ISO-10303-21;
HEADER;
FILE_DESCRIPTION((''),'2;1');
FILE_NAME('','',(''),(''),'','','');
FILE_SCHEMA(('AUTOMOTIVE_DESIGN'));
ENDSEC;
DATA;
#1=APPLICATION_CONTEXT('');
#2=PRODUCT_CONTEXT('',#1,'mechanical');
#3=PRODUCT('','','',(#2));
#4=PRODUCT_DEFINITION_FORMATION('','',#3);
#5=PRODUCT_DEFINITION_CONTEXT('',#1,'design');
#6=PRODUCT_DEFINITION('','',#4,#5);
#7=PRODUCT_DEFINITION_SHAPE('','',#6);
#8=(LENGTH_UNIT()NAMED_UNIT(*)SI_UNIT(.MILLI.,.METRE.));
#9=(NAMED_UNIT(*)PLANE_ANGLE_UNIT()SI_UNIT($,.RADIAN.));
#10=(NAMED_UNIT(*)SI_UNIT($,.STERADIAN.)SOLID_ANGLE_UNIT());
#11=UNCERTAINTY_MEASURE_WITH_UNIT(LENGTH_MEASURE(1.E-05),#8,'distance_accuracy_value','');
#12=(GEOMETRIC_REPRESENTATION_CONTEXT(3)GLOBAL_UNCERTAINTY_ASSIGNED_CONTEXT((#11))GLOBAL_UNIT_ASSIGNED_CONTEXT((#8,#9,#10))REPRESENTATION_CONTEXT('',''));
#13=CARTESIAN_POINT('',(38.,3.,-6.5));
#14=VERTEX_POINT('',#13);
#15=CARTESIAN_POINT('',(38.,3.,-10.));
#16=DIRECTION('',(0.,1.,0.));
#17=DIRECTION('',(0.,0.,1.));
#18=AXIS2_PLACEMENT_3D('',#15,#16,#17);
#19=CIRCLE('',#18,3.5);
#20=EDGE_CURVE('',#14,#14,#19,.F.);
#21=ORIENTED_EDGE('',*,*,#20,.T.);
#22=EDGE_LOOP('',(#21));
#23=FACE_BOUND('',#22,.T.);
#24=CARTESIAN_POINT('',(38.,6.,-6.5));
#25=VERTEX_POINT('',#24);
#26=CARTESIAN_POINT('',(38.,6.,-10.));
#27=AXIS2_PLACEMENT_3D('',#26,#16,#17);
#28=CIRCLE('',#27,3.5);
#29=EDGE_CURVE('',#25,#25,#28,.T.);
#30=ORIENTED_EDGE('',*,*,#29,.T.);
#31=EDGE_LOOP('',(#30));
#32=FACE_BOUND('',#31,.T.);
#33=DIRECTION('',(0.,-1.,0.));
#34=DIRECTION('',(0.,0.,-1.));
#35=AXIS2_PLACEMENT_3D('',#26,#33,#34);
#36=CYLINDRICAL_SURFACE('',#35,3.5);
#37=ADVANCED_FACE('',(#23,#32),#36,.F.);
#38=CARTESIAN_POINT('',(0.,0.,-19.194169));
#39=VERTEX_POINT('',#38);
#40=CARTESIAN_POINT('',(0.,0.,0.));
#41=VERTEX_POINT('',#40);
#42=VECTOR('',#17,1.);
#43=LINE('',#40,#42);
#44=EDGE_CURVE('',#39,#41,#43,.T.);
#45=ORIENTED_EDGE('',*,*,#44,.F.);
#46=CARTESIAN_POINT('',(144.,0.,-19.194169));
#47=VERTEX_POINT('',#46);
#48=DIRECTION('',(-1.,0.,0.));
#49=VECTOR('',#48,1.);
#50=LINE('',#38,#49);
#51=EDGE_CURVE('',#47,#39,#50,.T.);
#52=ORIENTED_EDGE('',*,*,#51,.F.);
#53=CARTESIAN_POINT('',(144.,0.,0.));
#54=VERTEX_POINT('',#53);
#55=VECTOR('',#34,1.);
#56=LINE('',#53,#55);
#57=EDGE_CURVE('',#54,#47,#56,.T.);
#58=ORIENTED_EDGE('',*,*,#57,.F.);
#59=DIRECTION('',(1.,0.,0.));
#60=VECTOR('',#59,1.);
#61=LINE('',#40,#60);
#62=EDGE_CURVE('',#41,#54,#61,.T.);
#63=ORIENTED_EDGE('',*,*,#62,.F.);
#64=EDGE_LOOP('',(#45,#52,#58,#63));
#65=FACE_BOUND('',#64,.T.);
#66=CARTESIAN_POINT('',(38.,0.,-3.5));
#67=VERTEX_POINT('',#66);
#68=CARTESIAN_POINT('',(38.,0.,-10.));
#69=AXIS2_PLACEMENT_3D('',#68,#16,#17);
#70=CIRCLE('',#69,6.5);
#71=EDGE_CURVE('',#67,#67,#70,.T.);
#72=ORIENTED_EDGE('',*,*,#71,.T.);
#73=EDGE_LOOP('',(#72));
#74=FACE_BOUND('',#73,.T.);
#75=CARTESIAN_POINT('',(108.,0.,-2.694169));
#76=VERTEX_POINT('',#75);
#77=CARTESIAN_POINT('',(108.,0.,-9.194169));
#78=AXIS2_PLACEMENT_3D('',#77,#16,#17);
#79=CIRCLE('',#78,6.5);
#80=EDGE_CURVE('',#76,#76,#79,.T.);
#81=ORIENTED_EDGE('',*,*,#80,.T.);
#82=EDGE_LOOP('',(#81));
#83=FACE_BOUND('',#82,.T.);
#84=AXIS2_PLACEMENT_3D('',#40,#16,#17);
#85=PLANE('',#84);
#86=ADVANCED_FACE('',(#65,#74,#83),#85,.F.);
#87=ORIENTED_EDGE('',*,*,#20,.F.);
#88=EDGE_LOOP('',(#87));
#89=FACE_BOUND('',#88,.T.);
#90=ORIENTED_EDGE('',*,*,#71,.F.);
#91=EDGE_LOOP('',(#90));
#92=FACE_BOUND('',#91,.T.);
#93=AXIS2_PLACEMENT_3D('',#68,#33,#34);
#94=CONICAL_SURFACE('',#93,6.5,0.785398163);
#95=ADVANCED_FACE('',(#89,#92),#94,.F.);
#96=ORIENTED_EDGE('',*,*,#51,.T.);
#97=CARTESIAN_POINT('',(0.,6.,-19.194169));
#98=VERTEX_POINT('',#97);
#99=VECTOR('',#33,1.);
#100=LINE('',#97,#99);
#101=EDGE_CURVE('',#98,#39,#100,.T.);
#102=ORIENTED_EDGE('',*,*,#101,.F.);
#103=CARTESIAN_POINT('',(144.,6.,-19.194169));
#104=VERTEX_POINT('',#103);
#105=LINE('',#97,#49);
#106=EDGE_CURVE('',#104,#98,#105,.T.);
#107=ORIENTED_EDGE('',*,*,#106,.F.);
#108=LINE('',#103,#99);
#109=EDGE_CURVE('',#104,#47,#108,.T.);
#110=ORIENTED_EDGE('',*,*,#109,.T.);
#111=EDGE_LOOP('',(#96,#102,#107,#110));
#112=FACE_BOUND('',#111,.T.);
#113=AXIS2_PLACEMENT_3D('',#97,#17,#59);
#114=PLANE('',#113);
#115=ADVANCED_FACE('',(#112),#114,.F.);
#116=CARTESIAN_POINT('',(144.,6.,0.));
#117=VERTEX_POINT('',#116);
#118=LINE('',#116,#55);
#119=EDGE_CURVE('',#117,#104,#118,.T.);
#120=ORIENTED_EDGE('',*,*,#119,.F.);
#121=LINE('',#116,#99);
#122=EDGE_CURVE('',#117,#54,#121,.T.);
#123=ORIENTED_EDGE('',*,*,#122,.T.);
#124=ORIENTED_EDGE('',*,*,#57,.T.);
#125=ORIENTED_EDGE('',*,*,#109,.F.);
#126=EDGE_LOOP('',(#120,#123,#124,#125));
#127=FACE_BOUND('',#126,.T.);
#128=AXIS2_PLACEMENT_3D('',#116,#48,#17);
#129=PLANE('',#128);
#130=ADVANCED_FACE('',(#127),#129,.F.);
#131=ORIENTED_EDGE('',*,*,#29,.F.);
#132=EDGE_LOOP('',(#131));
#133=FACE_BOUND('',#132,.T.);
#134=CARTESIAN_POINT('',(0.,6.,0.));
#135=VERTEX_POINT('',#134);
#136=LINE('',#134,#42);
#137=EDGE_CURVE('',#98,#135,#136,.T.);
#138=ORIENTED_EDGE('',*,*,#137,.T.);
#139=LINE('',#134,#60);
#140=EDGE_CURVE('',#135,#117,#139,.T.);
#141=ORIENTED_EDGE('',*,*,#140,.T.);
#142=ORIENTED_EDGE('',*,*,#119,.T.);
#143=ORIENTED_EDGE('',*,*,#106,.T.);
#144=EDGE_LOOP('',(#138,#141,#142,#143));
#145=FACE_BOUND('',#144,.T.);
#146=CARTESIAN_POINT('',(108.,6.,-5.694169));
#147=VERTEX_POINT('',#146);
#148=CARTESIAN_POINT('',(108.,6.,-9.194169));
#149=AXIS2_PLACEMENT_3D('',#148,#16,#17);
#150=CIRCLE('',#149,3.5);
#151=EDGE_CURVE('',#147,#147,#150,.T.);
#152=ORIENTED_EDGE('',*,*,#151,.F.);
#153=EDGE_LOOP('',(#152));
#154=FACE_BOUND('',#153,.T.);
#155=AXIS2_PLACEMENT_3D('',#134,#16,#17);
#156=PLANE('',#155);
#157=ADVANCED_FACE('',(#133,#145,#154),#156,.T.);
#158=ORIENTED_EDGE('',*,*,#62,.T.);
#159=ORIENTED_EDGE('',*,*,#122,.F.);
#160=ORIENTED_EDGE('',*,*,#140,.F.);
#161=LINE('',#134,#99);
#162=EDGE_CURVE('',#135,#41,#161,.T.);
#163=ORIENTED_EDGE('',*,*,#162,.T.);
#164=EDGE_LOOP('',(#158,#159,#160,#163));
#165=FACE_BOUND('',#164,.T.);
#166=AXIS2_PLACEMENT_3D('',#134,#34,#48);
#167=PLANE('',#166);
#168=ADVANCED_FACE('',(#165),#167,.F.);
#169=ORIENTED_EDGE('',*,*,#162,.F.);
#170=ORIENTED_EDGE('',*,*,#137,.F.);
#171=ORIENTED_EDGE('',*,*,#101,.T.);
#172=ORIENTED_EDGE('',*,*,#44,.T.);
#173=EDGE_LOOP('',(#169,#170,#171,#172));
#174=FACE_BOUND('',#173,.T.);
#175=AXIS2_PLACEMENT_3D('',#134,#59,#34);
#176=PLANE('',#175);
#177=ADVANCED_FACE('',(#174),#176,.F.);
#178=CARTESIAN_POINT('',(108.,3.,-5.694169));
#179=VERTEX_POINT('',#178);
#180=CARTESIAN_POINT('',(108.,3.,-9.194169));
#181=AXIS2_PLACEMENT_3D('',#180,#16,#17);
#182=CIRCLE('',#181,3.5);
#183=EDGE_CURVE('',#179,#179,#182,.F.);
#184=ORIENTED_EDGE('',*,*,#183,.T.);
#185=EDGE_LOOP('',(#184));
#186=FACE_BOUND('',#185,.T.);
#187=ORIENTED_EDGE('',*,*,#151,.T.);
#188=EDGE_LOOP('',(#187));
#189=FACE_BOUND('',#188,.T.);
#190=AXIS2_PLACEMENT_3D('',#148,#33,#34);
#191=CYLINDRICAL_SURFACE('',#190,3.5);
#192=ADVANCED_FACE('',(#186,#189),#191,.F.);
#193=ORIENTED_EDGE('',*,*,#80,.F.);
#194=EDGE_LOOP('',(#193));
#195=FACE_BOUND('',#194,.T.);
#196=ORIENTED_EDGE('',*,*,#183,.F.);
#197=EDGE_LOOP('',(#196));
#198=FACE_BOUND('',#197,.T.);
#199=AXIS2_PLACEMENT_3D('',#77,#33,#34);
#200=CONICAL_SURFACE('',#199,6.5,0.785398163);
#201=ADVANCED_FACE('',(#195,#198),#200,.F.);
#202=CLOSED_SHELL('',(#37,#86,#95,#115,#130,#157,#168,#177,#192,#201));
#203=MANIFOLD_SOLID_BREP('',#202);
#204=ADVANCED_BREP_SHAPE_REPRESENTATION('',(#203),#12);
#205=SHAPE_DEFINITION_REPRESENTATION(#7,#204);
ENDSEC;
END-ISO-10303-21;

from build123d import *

# Parameters (mm, degrees)
SKETCH1_R           = 3.5
BOSS_EXTRUDE1_DEPTH = 6
CHAMFER1_SIZE       = 3


with BuildPart() as part:
    # Sketch1 → Boss-Extrude1 (new body)
    with BuildSketch(Plane(origin=(0, 0, 0), x_dir=(1, 0, 0), z_dir=(0, 1, 0))):
        Polygon((144, 19.194168848), (0, 19.194168848), (0, 0), (38, 0), (108, 0), (144, 0), align=None)
        with Locations(Location((108, 9.194168848, 0), (0, 0, 270))):
            Circle(SKETCH1_R, mode=Mode.SUBTRACT)
        with Locations(Location((38, 10, 0), (0, 0, 270))):
            Circle(SKETCH1_R, mode=Mode.SUBTRACT)
    extrude(amount=BOSS_EXTRUDE1_DEPTH)

    # Chamfer1
    chamfer1_edges = [part.edges().sort_by_distance(p)[0] for p in [
        (38, 0, -13.5),
        (108, 0, -12.694168848),
    ]]
    chamfer(chamfer1_edges, length=CHAMFER1_SIZE)


solid = part.part
